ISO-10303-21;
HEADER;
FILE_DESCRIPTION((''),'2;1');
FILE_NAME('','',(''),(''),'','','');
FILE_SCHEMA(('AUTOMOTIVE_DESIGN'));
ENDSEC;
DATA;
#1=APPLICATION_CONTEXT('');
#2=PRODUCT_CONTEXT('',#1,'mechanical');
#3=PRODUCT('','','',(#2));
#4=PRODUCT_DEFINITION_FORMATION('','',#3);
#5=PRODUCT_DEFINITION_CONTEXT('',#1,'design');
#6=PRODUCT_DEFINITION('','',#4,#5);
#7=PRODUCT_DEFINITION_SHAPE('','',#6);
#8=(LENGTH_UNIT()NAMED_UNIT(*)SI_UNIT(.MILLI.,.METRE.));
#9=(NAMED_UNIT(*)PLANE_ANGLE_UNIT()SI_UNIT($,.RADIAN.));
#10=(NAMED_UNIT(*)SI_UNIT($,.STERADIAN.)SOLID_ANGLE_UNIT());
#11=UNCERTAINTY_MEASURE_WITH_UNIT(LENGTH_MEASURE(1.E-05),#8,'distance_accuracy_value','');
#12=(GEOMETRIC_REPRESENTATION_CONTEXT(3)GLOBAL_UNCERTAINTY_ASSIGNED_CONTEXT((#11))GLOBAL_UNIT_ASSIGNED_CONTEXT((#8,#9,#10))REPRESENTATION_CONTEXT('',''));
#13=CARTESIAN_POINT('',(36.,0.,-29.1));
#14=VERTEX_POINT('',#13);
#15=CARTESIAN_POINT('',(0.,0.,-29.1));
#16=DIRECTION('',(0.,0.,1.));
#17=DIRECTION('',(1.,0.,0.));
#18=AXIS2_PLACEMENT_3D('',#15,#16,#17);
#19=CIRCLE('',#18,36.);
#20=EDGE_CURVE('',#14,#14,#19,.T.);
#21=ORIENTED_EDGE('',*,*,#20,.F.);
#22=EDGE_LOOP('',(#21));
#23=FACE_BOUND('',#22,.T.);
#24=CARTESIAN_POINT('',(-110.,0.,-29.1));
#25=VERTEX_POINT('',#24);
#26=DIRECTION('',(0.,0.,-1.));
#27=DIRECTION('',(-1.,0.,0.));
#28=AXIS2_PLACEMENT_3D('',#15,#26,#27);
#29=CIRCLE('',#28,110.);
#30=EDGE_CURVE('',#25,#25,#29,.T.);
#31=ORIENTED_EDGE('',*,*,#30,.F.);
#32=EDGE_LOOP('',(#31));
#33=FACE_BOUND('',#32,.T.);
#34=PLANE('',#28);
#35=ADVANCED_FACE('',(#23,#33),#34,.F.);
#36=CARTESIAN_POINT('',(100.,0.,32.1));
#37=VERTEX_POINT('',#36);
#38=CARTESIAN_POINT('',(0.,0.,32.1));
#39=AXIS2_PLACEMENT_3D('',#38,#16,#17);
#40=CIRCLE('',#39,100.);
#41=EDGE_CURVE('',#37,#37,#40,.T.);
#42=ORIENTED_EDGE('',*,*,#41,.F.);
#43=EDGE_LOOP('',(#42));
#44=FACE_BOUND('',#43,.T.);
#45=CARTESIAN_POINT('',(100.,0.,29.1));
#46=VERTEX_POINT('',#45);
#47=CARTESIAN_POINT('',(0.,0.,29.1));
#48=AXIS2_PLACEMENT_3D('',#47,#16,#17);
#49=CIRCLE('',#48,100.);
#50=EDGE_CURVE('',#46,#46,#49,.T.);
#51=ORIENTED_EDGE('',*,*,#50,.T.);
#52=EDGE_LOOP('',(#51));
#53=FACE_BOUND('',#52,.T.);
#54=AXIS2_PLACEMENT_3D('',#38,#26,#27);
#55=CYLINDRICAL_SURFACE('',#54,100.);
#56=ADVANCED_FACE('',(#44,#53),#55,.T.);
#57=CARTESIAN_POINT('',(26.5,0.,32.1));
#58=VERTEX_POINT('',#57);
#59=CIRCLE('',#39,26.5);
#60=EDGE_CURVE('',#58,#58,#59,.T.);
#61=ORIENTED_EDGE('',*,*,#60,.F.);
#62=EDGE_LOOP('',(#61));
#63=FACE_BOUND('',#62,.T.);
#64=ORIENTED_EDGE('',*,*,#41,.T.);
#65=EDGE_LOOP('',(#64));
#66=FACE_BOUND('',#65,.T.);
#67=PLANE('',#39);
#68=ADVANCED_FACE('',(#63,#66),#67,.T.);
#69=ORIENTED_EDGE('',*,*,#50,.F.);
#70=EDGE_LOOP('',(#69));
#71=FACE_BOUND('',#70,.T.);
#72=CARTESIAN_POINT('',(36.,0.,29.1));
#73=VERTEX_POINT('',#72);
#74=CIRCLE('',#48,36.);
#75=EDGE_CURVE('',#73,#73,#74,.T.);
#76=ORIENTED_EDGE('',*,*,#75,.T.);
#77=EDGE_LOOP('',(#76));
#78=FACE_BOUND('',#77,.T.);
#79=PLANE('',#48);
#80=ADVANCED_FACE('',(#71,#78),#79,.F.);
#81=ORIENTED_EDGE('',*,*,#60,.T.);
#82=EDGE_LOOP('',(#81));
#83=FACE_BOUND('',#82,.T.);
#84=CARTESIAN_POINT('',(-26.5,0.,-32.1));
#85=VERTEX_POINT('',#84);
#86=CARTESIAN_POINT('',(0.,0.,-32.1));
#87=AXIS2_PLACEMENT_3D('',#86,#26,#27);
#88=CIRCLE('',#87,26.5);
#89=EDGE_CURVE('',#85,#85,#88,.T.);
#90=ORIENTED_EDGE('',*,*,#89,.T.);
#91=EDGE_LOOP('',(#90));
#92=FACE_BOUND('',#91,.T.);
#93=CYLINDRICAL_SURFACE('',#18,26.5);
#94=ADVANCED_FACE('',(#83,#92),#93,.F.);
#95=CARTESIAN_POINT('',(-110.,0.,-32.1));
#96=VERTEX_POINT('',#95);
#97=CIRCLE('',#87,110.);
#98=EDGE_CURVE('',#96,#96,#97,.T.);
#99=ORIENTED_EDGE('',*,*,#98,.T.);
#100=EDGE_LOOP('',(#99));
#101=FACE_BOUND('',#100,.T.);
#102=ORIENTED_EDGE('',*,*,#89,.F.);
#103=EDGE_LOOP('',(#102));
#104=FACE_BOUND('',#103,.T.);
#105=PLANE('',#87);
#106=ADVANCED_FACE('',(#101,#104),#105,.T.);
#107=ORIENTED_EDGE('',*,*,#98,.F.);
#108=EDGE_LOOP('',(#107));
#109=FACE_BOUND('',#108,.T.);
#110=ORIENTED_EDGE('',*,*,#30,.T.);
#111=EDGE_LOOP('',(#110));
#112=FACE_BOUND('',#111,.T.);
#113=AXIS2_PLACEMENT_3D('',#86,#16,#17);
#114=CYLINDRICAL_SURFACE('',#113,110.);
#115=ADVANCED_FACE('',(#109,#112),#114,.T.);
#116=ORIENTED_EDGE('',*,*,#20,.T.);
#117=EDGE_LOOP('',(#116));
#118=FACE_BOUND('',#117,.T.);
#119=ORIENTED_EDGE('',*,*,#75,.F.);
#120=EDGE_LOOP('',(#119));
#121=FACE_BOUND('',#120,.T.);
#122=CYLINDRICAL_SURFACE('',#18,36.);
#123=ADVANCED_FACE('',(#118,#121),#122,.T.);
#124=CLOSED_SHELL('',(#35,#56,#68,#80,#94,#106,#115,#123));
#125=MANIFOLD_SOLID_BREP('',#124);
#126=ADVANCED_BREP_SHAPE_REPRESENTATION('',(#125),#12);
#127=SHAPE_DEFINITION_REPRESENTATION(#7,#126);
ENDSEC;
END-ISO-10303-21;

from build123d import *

# Parameters (mm, degrees)
EXTRUDE1_DEPTH      = 29.1
EXTRUDE1_DEPTH_BACK = 29.1
SKETCH1_R           = 36
SKETCH1_R_2         = 26.5
SKETCH2_R           = 100
SKETCH2_R_2         = 26.5
EXTRUDE4_DEPTH      = 3
EXTRUDE5_START      = 3
SKETCH4_R           = 110
SKETCH4_R_2         = 26.5
EXTRUDE5_DEPTH      = 3


with BuildPart() as part:
    # Sketch1 → Extrude1 (new, two sides: drawn at the far end of the back side and taken through both)
    with BuildSketch(Plane.XY.offset(-EXTRUDE1_DEPTH_BACK)):
        Circle(SKETCH1_R)
        Circle(SKETCH1_R_2, mode=Mode.SUBTRACT)
    extrude(amount=EXTRUDE1_DEPTH + EXTRUDE1_DEPTH_BACK)

    # Sketch2 → Extrude4 (add)
    with BuildSketch(Plane.XY.offset(29.1)):
        Circle(SKETCH2_R)
        Circle(SKETCH2_R_2, mode=Mode.SUBTRACT)
    extrude(amount=EXTRUDE4_DEPTH)

    # Sketch4 → Extrude5 (add)
    with BuildSketch(Plane(origin=(0, 0, -29.1), x_dir=(-1, 0, 0), z_dir=(0, 0, -1)).offset(EXTRUDE5_START)):
        Circle(SKETCH4_R)
        Circle(SKETCH4_R_2, mode=Mode.SUBTRACT)
    extrude(amount=-EXTRUDE5_DEPTH)


solid = part.part
